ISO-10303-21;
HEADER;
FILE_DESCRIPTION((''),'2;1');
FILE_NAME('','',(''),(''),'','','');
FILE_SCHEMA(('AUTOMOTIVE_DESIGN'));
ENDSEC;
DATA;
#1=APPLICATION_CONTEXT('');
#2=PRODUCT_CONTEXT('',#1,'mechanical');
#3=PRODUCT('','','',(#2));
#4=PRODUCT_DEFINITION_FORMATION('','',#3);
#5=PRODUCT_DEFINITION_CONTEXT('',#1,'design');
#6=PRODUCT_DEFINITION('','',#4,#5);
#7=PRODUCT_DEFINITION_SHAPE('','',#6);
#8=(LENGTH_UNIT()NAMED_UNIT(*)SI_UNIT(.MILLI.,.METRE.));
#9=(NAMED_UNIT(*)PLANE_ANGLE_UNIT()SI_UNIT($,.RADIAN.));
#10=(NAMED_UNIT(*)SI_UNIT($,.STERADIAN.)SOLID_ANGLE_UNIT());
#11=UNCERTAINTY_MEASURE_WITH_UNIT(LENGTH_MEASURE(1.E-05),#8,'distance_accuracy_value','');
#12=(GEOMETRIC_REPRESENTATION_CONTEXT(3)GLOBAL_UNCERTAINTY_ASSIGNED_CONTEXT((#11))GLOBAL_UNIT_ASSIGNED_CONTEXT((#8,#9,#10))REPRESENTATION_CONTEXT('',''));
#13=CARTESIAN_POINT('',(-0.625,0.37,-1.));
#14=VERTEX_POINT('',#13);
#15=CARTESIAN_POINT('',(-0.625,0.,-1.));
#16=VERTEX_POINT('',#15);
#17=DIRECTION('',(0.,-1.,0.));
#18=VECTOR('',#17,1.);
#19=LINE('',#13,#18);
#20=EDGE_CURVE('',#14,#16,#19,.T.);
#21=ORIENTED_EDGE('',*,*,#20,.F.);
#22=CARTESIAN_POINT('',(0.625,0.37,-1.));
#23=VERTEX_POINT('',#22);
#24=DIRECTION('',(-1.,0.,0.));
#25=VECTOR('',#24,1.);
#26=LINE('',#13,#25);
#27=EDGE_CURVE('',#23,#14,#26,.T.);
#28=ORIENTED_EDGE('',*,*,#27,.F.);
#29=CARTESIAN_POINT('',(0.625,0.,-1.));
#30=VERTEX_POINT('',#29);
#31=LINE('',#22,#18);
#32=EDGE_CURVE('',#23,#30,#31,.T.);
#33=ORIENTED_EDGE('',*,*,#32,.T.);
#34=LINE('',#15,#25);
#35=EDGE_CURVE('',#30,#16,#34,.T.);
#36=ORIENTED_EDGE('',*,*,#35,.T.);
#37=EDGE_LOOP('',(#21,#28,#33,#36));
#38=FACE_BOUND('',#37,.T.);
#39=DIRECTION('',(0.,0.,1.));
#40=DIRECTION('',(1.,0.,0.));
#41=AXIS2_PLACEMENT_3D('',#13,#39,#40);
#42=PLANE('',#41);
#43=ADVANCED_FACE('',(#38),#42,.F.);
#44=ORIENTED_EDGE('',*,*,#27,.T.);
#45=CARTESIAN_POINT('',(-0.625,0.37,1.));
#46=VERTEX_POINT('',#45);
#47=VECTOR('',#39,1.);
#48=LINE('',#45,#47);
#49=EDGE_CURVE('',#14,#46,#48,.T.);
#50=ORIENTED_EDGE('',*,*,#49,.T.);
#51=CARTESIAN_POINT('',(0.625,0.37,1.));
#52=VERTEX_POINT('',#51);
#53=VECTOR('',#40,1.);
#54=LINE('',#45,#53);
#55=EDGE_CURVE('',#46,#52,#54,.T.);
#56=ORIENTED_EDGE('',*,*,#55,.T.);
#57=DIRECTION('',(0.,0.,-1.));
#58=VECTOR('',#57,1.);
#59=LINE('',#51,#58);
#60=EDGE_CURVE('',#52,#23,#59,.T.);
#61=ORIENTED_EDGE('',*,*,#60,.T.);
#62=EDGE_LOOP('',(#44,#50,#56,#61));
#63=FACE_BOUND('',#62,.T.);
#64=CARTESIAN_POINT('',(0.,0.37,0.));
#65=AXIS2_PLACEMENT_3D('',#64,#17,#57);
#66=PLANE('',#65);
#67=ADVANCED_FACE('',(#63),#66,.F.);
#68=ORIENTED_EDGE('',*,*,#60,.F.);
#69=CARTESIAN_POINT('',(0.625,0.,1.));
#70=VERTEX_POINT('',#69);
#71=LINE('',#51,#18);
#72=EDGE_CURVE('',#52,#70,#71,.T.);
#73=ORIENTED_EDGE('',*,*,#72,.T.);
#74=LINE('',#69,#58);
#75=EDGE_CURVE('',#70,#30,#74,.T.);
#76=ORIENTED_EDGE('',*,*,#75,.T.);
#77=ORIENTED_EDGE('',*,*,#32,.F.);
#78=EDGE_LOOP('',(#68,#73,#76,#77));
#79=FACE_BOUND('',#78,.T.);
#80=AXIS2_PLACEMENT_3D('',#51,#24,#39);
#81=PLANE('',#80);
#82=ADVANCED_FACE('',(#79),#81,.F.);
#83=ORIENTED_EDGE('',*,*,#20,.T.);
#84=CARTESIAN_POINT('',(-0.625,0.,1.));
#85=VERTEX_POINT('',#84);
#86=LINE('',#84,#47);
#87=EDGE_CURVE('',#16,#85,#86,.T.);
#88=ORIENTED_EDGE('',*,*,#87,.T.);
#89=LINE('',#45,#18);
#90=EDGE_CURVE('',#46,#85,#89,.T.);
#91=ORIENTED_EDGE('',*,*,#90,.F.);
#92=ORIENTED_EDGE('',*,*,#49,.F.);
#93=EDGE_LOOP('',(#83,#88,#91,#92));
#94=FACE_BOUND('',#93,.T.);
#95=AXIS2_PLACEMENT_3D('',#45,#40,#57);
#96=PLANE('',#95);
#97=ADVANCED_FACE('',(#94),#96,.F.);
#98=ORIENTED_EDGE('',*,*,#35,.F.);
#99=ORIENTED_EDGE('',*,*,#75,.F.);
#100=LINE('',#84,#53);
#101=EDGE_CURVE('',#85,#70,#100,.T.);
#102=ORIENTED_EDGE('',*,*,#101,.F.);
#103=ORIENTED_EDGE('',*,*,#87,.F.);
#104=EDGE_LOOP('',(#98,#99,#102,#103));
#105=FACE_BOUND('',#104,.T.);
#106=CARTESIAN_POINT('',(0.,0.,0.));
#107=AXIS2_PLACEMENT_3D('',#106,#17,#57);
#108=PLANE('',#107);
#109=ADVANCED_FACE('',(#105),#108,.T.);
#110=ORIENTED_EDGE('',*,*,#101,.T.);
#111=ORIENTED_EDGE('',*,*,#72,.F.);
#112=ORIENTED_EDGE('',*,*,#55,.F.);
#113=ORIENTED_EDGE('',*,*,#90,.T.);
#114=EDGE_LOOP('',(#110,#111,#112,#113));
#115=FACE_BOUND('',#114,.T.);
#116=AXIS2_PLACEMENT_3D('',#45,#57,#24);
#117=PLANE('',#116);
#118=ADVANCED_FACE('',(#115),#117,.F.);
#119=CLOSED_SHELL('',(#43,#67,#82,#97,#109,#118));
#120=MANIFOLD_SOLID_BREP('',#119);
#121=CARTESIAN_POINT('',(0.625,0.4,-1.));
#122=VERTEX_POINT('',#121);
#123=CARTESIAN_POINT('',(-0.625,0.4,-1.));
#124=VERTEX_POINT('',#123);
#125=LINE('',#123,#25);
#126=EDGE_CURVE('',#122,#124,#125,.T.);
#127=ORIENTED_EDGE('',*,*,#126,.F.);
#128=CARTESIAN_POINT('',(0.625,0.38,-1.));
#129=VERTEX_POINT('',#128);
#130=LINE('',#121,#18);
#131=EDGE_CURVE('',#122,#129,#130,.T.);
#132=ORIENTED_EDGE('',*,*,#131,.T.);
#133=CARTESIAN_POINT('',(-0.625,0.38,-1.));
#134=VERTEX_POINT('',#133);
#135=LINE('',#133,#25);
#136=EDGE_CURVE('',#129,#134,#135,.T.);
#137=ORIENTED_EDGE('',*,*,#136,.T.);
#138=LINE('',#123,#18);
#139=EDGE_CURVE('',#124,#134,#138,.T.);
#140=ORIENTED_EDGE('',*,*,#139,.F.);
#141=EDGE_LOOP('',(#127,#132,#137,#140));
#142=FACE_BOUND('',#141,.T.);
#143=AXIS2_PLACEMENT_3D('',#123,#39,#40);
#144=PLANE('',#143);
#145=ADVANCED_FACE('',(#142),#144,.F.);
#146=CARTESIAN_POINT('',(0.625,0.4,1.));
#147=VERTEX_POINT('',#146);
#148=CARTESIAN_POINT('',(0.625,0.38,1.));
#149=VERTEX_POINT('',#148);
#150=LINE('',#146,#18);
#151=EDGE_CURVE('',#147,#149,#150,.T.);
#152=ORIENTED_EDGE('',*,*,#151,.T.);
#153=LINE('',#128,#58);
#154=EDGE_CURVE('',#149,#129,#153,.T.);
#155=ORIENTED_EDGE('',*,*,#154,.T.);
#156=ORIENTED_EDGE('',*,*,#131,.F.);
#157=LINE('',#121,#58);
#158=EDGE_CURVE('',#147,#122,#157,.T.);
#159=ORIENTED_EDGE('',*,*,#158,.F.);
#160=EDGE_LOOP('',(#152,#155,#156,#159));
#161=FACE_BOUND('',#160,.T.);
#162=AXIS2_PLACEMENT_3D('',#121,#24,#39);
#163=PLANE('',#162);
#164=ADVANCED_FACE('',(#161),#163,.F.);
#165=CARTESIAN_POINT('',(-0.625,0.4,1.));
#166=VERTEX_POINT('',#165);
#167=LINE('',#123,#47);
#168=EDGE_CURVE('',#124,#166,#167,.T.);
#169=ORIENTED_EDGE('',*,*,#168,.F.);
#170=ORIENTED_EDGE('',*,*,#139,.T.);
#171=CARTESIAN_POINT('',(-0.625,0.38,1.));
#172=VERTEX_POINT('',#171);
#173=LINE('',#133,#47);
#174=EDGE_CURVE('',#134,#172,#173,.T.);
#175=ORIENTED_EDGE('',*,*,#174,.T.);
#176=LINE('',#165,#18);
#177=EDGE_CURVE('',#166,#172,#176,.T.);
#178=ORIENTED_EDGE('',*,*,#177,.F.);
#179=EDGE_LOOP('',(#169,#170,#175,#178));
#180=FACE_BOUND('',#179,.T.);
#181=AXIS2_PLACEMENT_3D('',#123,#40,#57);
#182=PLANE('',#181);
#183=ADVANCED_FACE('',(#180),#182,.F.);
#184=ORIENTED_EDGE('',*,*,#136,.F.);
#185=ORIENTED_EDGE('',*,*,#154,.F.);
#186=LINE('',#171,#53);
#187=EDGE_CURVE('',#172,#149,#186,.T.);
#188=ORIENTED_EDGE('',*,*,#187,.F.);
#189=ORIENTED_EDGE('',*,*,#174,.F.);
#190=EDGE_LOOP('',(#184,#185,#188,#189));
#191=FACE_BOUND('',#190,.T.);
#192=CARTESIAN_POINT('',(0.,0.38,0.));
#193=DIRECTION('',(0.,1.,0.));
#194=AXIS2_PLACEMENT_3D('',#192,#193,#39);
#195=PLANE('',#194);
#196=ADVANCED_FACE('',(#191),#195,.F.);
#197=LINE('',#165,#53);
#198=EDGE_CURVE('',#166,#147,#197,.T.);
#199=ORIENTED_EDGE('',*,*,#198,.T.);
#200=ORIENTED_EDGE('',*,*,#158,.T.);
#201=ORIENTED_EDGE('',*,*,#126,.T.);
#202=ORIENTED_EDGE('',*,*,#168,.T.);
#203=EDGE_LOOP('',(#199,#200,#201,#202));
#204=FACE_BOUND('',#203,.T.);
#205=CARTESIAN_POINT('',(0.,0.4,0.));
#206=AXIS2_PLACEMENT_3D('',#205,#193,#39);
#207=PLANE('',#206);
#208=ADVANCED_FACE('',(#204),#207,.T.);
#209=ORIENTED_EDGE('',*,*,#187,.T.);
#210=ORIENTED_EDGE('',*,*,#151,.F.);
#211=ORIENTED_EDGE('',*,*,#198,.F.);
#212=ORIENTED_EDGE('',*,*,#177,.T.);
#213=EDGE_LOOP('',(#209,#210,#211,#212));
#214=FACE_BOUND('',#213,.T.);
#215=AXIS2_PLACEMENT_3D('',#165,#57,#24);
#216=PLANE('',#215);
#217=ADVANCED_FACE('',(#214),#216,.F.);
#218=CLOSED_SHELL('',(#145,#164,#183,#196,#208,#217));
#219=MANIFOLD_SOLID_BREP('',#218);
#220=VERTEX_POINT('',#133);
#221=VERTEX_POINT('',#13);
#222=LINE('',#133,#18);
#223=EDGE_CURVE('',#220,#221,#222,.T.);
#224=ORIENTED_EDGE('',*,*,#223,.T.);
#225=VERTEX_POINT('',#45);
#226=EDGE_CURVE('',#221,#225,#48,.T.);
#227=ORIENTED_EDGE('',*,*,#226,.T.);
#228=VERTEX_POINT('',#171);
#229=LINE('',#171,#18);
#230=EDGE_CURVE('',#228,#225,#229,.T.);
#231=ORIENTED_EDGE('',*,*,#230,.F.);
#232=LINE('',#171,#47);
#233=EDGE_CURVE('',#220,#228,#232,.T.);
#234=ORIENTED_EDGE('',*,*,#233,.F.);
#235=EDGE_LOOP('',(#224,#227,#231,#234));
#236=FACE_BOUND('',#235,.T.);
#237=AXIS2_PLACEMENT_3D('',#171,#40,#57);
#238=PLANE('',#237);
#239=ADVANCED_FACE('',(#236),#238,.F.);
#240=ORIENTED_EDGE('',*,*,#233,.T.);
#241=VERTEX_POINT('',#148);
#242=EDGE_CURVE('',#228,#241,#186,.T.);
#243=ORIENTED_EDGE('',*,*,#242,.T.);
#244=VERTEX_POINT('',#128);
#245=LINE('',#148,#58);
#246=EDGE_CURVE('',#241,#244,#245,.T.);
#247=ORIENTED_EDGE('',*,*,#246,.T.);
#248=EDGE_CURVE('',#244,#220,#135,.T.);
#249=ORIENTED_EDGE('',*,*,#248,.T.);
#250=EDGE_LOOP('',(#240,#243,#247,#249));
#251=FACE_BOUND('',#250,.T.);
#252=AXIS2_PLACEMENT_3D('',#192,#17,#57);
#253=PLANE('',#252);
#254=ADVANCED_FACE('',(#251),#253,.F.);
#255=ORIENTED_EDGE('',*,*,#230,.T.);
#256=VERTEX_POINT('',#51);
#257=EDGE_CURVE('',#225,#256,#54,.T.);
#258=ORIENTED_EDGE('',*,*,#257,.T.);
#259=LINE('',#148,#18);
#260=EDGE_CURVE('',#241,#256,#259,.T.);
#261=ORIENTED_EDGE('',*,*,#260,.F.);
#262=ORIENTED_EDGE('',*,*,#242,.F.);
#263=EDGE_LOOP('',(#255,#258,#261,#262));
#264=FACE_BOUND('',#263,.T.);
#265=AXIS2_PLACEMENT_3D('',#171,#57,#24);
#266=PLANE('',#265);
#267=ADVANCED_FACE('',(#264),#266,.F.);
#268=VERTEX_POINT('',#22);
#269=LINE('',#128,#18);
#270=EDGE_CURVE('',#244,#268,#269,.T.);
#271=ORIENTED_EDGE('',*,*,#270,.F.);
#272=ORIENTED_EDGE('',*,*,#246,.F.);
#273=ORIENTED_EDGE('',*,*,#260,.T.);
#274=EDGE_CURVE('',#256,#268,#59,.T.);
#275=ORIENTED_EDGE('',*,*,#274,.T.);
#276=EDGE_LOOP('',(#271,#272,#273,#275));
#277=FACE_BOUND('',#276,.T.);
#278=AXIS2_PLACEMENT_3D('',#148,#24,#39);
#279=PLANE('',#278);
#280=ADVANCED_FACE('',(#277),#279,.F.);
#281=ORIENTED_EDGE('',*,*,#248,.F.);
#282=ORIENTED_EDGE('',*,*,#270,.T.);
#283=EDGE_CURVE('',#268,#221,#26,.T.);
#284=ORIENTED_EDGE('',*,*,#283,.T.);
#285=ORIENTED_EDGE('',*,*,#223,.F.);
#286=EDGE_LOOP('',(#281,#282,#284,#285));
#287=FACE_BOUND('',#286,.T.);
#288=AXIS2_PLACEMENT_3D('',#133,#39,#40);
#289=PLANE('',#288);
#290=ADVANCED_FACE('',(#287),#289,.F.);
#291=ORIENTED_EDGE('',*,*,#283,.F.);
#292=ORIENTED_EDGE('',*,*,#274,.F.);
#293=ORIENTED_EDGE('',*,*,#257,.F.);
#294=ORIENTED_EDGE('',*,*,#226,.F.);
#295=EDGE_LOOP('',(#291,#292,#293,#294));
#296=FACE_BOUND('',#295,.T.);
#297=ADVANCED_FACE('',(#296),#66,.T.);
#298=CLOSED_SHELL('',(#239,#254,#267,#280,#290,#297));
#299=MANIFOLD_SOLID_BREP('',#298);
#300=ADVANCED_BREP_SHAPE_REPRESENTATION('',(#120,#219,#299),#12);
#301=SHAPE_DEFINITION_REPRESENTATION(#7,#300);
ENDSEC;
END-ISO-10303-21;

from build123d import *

# Parameters (mm, degrees)
SKETCH1_W           = 1.25
SKETCH1_H           = 2
BOSS_EXTRUDE1_DEPTH = 0.37
SKETCH2_W           = 1.25
SKETCH2_H           = 2
BOSS_EXTRUDE2_DEPTH = 0.01
SKETCH3_W           = 1.25
SKETCH3_H           = 2
BOSS_EXTRUDE3_DEPTH = 0.02


with BuildPart() as part:
    # Sketch1 → Boss-Extrude1 (new body)
    with BuildSketch(Plane(origin=(0, 0, 0), x_dir=(1, 0, 0), z_dir=(0, 1, 0))):
        Rectangle(SKETCH1_W, SKETCH1_H)
    extrude(amount=BOSS_EXTRUDE1_DEPTH)


with BuildPart() as body_2:
    # Sketch2 → Boss-Extrude2 (new body)
    with BuildSketch(Plane(origin=(0, 0.37, 0), x_dir=(1, 0, 0), z_dir=(0, 1, 0))):
        Rectangle(SKETCH2_W, SKETCH2_H)
    extrude(amount=BOSS_EXTRUDE2_DEPTH)


with BuildPart() as body_3:
    # Sketch3 → Boss-Extrude3 (new body)
    with BuildSketch(Plane(origin=(0, 0.38, 0), x_dir=(1, 0, 0), z_dir=(0, 1, 0))):
        Rectangle(SKETCH3_W, SKETCH3_H)
    extrude(amount=BOSS_EXTRUDE3_DEPTH)


solid = Compound([part.part, body_2.part, body_3.part])
